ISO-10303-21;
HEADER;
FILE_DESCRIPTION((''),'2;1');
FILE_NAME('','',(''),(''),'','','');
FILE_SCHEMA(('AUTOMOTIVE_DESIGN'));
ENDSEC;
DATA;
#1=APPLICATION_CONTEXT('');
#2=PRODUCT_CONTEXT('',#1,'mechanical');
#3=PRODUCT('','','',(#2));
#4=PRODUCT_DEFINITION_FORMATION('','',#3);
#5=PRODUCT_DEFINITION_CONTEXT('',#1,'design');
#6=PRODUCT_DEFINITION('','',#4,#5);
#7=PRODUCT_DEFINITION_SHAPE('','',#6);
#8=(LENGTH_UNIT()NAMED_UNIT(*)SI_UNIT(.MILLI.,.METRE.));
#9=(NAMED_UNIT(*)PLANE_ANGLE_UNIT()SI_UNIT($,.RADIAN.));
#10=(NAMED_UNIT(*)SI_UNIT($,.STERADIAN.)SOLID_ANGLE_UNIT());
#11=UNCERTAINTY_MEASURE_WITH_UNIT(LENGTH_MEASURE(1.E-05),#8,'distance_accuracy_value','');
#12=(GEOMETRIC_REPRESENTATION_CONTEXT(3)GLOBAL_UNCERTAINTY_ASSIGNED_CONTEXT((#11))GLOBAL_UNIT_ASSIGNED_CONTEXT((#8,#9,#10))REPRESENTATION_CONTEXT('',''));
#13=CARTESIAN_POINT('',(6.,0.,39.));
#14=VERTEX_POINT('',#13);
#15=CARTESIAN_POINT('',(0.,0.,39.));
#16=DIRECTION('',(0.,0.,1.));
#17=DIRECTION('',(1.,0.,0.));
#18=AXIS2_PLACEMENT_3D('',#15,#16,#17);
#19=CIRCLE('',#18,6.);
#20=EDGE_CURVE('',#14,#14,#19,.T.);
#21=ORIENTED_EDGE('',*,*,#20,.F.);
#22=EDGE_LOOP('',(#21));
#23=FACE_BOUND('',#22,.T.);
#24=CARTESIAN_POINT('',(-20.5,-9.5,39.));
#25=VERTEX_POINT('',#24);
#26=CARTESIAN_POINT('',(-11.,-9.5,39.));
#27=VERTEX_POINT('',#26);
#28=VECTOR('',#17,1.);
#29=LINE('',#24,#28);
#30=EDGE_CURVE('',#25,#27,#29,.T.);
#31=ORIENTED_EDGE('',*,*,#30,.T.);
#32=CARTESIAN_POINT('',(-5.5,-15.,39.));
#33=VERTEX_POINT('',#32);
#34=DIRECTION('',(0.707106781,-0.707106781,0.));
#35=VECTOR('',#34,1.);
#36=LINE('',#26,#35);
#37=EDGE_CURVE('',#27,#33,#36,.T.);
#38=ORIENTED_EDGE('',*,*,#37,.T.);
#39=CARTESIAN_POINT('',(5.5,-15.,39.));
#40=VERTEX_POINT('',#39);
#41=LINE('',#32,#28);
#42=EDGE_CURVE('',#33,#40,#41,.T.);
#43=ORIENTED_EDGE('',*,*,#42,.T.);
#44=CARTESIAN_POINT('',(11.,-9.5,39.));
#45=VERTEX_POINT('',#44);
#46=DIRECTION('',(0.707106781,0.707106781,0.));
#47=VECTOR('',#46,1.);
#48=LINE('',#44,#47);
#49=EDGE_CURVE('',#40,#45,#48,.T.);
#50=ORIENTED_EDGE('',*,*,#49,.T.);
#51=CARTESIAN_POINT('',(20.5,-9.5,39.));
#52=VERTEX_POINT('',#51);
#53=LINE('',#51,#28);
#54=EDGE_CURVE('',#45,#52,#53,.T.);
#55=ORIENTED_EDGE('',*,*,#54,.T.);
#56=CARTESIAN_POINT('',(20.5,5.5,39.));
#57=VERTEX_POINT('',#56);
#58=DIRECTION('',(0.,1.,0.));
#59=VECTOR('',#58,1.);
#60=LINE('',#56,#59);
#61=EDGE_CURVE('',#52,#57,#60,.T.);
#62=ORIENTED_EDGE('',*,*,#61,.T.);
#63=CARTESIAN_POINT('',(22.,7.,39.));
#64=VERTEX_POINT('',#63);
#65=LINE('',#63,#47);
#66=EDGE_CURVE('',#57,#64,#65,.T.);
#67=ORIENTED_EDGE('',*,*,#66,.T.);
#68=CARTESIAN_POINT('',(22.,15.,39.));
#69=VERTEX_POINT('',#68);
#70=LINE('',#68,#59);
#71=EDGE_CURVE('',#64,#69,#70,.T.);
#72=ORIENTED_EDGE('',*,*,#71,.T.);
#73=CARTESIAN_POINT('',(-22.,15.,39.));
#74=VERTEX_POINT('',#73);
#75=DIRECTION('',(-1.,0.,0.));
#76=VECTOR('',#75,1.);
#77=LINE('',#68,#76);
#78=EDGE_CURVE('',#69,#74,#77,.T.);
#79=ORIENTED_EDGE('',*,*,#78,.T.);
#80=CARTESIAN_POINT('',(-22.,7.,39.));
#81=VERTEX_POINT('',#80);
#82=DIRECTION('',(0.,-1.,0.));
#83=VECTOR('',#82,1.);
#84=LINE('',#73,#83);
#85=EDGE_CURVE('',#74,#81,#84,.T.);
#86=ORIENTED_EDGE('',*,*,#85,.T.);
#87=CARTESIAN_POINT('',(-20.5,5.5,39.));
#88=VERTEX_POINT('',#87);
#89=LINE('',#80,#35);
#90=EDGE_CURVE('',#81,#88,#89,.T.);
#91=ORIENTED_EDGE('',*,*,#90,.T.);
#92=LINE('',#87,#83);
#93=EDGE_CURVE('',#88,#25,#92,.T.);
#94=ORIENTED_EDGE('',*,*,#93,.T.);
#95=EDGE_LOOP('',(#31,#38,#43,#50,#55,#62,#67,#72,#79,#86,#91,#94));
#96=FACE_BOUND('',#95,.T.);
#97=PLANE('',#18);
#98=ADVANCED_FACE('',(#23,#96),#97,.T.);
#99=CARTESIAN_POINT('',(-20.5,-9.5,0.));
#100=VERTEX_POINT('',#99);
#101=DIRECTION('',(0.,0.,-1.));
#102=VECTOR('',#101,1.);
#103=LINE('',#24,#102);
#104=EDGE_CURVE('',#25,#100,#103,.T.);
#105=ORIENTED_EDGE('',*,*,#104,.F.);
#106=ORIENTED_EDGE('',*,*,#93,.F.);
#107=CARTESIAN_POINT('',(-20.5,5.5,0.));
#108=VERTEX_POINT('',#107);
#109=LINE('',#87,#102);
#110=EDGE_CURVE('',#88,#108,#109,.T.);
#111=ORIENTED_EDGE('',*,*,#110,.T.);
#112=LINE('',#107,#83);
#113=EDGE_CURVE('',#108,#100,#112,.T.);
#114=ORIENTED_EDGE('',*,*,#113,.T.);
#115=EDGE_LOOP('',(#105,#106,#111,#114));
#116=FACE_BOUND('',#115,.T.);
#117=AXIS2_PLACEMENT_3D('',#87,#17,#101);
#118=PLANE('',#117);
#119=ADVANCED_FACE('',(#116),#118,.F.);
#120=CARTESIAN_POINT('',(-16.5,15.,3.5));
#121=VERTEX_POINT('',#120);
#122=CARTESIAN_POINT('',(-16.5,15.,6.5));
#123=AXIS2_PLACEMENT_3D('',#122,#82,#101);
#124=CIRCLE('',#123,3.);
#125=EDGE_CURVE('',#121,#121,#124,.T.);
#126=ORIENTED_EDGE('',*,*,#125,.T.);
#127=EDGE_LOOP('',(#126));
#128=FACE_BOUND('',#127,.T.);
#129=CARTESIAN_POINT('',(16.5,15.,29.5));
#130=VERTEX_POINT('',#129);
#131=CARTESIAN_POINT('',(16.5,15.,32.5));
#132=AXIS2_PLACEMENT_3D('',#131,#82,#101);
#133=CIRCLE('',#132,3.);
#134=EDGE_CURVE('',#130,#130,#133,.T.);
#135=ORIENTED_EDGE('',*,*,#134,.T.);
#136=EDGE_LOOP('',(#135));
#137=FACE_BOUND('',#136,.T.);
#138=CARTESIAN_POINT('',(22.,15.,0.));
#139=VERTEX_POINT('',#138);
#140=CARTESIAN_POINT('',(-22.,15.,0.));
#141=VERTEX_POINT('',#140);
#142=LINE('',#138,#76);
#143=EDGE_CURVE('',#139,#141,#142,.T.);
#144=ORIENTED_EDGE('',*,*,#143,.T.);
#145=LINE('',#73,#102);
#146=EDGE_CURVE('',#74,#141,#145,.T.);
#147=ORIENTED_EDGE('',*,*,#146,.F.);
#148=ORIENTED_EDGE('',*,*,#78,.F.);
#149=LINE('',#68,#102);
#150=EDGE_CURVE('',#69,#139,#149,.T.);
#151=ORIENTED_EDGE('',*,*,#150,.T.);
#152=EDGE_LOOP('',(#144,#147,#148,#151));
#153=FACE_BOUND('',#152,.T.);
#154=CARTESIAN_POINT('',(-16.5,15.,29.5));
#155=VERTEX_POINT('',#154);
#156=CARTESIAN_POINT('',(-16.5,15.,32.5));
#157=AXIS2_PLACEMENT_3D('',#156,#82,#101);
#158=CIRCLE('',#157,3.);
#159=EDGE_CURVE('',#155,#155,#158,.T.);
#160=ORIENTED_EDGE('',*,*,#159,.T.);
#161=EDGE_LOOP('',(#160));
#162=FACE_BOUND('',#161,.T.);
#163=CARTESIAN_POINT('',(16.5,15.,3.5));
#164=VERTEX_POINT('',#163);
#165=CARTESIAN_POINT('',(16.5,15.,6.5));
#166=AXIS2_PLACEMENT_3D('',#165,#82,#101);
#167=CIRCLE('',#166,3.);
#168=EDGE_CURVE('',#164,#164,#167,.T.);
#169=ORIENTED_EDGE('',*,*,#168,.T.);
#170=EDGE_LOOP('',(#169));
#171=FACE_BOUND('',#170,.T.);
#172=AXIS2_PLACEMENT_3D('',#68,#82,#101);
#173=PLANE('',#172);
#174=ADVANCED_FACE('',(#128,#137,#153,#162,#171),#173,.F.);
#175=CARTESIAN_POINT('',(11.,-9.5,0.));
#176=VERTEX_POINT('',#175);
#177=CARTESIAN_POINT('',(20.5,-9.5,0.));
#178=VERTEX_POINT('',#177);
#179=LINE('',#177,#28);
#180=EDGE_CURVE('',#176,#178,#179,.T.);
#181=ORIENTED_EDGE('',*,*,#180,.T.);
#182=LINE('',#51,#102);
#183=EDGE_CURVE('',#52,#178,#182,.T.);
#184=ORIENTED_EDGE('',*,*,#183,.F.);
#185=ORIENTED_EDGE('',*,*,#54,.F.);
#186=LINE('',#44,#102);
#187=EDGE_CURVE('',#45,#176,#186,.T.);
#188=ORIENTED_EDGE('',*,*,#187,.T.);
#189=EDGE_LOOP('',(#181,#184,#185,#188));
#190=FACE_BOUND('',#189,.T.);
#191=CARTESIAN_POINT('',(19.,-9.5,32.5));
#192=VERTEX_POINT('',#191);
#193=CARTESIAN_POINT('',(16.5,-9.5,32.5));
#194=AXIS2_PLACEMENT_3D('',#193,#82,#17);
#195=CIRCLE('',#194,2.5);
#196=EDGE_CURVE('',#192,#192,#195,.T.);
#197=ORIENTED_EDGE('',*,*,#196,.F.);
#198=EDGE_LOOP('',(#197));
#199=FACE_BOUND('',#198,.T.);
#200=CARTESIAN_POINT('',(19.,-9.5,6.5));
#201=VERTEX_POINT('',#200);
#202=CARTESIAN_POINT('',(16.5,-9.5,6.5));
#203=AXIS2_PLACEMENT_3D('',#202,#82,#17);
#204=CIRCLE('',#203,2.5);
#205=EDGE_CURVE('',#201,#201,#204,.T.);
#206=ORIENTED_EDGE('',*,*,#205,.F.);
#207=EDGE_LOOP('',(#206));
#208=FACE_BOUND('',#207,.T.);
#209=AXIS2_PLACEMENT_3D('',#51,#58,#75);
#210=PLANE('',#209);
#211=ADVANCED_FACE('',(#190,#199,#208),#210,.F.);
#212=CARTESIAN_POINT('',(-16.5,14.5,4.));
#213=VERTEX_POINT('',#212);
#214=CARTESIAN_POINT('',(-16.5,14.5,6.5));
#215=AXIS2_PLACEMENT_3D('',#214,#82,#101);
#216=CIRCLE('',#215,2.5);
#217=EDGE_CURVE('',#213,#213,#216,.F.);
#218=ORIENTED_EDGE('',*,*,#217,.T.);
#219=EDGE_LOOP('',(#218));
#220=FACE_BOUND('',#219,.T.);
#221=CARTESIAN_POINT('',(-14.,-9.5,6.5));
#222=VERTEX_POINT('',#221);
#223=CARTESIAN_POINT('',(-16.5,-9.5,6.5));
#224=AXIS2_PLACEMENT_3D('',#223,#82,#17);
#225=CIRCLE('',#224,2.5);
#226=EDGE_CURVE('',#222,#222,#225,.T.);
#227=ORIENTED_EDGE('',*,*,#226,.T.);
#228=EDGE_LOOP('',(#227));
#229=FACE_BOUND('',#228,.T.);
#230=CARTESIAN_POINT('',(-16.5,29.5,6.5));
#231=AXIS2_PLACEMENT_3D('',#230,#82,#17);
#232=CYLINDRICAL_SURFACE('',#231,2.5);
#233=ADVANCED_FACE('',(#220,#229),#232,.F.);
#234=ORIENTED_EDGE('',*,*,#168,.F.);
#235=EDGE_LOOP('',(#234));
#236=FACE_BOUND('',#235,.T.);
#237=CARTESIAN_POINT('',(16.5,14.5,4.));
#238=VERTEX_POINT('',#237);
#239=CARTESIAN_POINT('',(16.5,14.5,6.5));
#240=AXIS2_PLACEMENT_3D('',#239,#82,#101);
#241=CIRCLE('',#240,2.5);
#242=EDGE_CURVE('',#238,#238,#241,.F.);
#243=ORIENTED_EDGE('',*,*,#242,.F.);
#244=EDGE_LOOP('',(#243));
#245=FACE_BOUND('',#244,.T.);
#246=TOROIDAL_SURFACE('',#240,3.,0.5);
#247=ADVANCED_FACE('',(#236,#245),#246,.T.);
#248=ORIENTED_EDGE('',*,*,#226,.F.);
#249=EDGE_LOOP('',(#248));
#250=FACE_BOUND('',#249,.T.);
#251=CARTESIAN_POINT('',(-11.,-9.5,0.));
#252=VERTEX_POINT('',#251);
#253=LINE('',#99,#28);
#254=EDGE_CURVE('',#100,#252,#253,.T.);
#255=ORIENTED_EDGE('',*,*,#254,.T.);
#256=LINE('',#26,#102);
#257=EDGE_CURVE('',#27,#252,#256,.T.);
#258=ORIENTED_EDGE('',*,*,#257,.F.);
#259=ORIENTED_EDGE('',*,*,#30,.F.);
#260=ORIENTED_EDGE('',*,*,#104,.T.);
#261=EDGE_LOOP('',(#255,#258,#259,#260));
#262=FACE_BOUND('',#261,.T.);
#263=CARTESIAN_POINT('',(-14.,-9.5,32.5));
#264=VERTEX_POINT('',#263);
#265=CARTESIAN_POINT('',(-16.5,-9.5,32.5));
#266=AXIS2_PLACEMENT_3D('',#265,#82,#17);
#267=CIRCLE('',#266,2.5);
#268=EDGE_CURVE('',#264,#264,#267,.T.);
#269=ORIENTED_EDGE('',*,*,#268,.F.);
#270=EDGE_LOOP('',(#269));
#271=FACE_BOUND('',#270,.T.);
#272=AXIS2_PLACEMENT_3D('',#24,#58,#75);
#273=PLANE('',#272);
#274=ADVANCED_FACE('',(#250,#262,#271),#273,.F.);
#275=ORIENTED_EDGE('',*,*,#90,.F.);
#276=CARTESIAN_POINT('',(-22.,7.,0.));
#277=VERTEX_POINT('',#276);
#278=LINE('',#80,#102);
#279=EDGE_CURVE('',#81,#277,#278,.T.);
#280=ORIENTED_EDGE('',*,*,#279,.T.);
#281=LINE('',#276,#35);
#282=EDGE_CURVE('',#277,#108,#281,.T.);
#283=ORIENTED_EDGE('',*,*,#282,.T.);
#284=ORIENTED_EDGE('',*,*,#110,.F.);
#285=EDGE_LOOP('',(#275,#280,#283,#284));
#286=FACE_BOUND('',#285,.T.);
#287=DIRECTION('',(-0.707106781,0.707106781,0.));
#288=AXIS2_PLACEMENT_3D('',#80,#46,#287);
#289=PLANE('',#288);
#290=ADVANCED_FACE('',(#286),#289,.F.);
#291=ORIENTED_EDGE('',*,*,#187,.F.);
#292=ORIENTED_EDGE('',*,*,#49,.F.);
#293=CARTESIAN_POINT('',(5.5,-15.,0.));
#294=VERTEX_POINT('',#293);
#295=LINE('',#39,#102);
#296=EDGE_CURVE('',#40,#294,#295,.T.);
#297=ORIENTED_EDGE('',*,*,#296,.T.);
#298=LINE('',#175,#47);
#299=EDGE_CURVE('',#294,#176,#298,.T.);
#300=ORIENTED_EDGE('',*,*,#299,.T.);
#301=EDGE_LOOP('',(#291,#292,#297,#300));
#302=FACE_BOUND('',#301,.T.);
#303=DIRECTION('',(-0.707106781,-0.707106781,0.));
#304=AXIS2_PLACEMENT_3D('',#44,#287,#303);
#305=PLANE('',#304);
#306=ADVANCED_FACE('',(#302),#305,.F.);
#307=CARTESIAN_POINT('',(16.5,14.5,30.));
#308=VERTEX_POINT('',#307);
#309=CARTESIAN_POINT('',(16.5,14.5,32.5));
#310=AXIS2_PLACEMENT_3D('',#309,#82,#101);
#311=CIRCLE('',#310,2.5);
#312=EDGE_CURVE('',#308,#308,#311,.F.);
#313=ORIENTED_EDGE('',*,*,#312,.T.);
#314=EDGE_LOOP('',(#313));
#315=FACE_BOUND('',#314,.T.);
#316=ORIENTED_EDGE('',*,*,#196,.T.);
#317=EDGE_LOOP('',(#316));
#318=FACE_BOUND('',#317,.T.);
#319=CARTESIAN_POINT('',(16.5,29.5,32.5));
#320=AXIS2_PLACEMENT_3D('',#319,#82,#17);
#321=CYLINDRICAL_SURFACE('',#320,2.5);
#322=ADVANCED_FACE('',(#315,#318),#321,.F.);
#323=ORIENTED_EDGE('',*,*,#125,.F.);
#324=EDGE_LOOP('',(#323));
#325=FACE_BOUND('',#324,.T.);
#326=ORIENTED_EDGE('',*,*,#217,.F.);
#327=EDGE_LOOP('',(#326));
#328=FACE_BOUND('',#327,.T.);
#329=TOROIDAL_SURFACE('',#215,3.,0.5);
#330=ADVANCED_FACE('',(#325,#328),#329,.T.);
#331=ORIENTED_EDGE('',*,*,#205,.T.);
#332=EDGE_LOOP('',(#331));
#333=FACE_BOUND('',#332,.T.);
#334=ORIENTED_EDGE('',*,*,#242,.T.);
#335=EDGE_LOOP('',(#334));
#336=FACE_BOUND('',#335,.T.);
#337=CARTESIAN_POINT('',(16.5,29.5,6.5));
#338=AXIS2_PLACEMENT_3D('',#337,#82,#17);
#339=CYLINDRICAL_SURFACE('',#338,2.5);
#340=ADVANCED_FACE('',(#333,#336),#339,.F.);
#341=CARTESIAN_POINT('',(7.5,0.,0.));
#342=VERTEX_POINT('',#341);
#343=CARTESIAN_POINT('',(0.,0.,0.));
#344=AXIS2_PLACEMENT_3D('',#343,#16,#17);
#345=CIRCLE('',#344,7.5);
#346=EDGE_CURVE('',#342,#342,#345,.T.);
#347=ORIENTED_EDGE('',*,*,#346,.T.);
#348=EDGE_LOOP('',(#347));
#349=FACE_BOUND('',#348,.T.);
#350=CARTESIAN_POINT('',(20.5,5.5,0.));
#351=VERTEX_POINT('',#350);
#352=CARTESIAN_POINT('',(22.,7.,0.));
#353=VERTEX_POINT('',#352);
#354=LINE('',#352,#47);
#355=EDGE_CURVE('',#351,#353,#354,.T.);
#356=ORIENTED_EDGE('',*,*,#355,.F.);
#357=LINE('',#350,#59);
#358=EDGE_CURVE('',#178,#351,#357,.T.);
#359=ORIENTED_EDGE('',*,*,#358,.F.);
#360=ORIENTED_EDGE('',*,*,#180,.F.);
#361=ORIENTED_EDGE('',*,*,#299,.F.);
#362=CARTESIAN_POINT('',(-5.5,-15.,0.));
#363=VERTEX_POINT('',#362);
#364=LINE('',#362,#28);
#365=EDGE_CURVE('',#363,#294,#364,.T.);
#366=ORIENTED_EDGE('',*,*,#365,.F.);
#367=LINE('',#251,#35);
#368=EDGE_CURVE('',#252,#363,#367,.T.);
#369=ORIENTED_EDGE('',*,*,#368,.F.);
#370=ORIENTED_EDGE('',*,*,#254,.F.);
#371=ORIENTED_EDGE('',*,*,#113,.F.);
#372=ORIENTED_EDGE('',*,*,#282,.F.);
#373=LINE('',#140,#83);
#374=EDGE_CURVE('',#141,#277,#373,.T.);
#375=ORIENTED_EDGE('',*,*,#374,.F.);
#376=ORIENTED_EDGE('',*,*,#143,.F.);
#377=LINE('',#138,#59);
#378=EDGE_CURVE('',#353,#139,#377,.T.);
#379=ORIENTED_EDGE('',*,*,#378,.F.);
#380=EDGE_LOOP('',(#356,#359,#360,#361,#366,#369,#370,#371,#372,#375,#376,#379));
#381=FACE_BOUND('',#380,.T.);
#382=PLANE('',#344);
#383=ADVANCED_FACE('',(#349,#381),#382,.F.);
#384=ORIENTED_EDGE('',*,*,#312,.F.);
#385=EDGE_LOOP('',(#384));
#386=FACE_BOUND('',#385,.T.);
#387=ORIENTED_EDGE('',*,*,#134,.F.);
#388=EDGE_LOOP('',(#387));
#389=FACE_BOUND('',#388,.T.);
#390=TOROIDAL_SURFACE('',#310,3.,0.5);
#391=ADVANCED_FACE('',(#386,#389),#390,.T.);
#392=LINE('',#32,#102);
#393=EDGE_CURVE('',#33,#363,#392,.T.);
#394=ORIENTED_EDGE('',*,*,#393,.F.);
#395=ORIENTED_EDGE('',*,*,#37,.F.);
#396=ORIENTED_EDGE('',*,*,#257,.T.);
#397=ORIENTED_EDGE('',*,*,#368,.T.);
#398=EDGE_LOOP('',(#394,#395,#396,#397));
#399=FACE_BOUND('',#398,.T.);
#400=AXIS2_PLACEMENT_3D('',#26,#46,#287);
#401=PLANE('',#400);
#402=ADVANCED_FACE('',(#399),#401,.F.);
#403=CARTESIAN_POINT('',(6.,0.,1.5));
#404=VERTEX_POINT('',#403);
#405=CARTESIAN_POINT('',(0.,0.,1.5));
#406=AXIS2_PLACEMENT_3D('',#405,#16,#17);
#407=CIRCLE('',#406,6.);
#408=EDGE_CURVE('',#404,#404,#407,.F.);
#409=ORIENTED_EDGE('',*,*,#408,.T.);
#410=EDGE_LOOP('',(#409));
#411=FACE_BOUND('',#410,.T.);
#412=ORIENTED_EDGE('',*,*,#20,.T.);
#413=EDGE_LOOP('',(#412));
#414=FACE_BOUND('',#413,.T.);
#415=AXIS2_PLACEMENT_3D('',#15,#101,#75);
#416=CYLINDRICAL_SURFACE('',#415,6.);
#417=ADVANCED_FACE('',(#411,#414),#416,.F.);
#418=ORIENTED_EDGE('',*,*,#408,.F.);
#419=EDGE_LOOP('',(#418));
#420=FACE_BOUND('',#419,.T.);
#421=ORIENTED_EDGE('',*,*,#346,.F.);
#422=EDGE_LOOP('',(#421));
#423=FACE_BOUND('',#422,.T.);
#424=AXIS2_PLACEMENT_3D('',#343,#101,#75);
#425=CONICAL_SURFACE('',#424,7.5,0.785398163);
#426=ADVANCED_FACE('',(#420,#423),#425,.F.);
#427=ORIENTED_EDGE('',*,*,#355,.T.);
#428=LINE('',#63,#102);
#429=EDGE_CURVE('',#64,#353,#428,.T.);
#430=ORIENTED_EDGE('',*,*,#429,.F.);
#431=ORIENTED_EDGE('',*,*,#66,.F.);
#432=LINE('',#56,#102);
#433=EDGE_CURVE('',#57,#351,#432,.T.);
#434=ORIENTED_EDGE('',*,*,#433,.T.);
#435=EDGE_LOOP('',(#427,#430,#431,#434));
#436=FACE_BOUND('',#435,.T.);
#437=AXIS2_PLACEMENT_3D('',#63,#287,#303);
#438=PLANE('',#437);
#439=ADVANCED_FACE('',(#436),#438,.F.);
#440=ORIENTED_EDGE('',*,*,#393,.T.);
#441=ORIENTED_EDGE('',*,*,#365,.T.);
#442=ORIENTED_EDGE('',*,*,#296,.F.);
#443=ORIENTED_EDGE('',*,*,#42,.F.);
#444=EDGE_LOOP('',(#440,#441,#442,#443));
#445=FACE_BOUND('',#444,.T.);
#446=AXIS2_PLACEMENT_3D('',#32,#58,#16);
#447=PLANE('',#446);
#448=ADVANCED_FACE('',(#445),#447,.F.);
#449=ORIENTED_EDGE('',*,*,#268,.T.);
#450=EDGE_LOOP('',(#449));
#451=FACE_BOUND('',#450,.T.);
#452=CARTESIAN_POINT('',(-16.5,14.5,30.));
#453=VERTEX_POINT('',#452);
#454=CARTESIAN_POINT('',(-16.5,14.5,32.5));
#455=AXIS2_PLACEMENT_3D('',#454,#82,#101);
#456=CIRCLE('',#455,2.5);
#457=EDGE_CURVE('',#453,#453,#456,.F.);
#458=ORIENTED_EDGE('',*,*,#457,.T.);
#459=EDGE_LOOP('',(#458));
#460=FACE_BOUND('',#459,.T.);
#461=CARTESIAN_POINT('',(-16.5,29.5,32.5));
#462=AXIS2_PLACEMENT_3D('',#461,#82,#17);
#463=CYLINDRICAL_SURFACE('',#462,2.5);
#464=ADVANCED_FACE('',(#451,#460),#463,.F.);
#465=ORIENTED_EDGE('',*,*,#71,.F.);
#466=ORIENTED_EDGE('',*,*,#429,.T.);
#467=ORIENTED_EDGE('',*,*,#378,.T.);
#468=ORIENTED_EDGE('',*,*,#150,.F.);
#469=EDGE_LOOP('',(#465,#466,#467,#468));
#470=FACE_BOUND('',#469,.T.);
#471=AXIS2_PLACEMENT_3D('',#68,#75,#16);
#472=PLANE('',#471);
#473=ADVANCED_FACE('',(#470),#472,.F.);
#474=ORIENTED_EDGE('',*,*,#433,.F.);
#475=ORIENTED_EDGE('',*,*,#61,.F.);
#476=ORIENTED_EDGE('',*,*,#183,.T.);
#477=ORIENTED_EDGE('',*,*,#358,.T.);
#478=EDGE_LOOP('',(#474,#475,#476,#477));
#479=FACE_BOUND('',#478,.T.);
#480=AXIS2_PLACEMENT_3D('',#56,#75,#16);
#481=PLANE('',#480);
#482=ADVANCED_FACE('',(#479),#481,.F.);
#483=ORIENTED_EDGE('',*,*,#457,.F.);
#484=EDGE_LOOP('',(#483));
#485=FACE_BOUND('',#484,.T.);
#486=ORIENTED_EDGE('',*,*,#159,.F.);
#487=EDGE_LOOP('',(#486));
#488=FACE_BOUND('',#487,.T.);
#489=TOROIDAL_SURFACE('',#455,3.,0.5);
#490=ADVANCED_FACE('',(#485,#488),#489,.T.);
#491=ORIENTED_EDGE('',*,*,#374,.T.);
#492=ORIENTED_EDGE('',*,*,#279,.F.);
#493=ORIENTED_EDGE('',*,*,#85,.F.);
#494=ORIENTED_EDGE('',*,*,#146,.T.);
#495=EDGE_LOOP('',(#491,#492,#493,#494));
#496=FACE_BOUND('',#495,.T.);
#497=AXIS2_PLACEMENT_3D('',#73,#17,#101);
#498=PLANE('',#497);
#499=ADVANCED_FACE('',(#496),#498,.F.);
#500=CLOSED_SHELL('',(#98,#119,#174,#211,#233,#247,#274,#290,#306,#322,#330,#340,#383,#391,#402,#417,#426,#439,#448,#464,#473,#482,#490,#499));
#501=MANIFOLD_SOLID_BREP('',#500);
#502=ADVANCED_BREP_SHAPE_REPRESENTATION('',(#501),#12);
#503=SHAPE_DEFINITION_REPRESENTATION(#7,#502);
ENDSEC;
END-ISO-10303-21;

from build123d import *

# Parameters (mm, degrees)
IZIM2_R                     = 6
Y_KSEKLIK_EKSTR_ZYON1_DEPTH = 39
IZIM3_R                     = 2.5
KES_EKSTR_ZYON1_DEPTH       = 39
PAH2_SIZE                   = 1.5
FILLET2_R                   = 0.5


with BuildPart() as part:
    # Çizim2 → Yükseklik-Ekstrüzyon1 (new body)
    with BuildSketch(Plane.XY):
        Polygon((22, 15), (-22, 15), (-22, 7), (-20.5, 5.5), (-20.5, -9.5), (-11, -9.5), (-5.5, -15), (5.5, -15), (11, -9.5), (20.5, -9.5), (20.5, 5.5), (22, 7), align=None)
        Circle(IZIM2_R, mode=Mode.SUBTRACT)
    extrude(amount=Y_KSEKLIK_EKSTR_ZYON1_DEPTH)

    # Çizim3 → Kes-Ekstrüzyon1 (cut)
    with BuildSketch(Plane.XZ.offset(9.5)):
        with Locations((16.5, 32.5)):
            Circle(IZIM3_R)
        with Locations((-16.5, 32.5)):
            Circle(IZIM3_R)
        with Locations((-16.5, 6.5)):
            Circle(IZIM3_R)
        with Locations((16.5, 6.5)):
            Circle(IZIM3_R)
    extrude(amount=-KES_EKSTR_ZYON1_DEPTH, mode=Mode.SUBTRACT)

    # Pah2
    pah2_edges = [part.edges().sort_by_distance(p)[0] for p in [
        (-6, 0, 0),
    ]]
    chamfer(pah2_edges, length=PAH2_SIZE)

    # Fillet2
    fillet2_edges = [part.edges().sort_by_distance(p)[0] for p in [
        (14, 15, 32.5),
        (14, 15, 6.5),
        (-19, 15, 6.5),
        (-19, 15, 32.5),
    ]]
    fillet(fillet2_edges, radius=FILLET2_R)


solid = part.part
